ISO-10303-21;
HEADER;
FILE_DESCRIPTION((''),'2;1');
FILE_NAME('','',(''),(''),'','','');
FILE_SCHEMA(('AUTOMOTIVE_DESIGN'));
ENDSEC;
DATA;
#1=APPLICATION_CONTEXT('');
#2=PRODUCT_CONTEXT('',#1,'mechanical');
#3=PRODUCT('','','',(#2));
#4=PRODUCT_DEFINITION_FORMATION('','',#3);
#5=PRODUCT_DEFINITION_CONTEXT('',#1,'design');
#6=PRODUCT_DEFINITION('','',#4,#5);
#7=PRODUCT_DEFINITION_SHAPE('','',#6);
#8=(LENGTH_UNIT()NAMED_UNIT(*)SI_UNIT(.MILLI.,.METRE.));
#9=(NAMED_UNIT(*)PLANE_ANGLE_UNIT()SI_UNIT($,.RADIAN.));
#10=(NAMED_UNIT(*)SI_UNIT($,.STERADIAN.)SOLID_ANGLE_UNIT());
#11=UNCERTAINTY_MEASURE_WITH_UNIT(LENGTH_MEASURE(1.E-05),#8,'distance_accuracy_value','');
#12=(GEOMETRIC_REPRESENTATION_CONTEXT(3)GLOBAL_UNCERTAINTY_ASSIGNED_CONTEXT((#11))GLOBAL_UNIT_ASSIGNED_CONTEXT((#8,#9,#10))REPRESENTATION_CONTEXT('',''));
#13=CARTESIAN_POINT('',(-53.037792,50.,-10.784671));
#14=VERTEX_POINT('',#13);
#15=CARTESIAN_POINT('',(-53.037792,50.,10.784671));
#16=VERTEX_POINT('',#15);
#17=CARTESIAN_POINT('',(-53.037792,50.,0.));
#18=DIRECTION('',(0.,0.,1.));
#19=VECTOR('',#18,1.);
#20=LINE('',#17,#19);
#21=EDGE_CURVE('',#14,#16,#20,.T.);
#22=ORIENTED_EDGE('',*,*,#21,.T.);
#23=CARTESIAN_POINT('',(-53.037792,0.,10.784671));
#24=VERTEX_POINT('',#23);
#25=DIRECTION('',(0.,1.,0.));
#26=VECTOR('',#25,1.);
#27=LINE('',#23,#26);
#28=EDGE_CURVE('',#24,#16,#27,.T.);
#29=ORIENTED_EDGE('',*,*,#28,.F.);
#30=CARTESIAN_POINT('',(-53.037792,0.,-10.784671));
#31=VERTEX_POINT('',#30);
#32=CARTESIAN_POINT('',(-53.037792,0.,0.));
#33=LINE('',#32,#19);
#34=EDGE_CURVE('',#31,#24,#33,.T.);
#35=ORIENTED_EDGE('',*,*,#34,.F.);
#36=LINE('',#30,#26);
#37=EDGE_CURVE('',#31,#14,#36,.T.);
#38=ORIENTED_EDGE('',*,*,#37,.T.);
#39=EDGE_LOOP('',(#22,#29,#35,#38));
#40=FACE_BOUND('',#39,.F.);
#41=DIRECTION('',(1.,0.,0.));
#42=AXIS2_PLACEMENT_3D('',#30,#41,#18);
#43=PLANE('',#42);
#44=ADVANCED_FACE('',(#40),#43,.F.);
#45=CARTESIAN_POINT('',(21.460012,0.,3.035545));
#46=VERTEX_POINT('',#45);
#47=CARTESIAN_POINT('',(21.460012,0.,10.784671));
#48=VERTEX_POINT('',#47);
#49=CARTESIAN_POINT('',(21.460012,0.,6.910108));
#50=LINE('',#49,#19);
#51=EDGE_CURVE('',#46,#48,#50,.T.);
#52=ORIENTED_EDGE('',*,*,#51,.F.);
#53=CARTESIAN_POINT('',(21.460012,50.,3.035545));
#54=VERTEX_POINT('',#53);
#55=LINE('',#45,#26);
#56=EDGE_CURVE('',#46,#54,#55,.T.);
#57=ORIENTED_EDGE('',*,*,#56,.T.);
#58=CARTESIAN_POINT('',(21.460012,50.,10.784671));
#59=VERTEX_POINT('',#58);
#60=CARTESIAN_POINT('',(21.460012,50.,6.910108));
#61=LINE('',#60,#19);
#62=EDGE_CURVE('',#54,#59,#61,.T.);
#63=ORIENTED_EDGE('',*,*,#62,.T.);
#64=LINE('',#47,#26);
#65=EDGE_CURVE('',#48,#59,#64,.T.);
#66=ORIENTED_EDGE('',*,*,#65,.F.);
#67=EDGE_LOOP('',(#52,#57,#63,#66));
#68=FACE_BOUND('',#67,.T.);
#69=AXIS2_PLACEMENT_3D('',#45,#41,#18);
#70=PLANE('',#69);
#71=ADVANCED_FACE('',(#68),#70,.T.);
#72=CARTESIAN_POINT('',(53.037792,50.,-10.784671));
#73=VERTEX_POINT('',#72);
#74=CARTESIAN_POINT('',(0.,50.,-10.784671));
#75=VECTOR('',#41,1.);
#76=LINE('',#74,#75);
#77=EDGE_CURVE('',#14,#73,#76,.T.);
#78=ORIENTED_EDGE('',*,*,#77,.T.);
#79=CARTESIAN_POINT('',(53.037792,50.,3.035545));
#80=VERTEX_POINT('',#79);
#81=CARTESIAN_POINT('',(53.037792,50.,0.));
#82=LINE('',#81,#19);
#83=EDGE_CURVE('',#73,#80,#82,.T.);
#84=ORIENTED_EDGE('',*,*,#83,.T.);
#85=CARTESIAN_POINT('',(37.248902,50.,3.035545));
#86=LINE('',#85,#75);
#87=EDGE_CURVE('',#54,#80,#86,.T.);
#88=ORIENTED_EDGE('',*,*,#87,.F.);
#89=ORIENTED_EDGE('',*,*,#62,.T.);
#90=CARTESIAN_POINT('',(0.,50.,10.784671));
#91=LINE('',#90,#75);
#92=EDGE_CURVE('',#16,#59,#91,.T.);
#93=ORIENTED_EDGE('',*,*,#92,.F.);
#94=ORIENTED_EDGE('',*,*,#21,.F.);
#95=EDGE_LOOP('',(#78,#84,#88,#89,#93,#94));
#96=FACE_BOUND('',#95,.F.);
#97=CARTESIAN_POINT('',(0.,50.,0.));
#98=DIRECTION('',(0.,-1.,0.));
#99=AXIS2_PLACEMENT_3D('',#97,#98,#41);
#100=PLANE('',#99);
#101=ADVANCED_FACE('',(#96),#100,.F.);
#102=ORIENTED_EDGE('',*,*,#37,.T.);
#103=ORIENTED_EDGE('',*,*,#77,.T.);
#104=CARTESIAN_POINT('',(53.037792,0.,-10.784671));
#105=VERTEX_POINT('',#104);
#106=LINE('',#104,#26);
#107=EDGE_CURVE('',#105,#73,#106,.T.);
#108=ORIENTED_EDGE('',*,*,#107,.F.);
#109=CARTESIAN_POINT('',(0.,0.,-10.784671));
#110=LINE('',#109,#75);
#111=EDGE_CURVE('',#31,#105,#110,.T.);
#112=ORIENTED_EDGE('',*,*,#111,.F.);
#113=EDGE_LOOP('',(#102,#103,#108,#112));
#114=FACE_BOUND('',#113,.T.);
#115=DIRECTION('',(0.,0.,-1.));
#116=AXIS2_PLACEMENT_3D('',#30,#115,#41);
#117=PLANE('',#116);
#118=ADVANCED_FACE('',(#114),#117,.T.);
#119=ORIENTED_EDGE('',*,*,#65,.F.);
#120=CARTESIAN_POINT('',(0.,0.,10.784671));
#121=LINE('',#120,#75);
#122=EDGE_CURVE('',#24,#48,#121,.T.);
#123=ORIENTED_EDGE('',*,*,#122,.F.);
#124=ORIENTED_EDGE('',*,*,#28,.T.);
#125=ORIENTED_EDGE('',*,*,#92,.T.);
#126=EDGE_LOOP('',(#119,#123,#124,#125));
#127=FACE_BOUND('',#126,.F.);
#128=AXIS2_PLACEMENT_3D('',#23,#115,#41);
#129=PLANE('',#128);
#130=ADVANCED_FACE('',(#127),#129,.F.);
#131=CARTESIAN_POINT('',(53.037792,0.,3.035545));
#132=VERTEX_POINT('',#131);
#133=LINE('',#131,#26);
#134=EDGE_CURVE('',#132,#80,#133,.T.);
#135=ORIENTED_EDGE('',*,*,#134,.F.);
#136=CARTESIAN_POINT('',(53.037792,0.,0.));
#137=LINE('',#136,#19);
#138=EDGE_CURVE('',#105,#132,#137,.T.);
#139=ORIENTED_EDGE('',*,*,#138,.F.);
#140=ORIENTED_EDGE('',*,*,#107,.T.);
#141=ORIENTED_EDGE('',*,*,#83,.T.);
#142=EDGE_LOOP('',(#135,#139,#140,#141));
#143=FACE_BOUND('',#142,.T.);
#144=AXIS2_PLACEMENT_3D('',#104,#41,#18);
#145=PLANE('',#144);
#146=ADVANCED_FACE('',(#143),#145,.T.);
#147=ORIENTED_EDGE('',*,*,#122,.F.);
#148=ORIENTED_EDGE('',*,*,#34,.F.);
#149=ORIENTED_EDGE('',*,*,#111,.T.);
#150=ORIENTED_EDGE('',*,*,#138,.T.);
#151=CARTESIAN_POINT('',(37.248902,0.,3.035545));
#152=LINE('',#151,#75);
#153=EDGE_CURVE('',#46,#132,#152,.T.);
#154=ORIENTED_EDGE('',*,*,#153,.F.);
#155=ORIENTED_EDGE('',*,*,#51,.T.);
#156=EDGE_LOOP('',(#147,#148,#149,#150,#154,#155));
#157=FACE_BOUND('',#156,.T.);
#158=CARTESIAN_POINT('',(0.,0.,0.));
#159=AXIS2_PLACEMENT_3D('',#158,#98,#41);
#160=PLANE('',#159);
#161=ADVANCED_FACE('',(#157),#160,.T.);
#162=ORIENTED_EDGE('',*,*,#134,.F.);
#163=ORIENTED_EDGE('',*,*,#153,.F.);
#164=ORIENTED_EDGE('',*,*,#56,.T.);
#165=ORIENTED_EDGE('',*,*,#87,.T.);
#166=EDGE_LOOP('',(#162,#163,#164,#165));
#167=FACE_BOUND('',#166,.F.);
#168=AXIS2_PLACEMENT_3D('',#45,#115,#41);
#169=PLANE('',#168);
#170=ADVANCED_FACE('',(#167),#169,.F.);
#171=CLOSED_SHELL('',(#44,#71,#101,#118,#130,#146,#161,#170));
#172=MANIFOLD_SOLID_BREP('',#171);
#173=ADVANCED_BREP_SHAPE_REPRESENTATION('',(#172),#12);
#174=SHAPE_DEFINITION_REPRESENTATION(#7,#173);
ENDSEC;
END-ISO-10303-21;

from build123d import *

# Parameters (mm, degrees)
F0_W     = 106.075584
F0_H     = 21.569342
F1_DEPTH = 50
F2_W     = 31.57778
F2_H     = 7.749126
F3_DEPTH = 50


with BuildPart() as f1:
    # F0 (on Front) → F1 (new body)
    with BuildSketch(Plane.XZ):
        Rectangle(F0_W, F0_H)
    extrude(amount=-F1_DEPTH)

    # F2 (on face) → F3 (cut)
    with BuildSketch(Plane.XZ):
        with Locations((37.248902, 6.910108)):
            Rectangle(F2_W, F2_H)
    extrude(amount=-F3_DEPTH, mode=Mode.SUBTRACT)


solid = f1.part
